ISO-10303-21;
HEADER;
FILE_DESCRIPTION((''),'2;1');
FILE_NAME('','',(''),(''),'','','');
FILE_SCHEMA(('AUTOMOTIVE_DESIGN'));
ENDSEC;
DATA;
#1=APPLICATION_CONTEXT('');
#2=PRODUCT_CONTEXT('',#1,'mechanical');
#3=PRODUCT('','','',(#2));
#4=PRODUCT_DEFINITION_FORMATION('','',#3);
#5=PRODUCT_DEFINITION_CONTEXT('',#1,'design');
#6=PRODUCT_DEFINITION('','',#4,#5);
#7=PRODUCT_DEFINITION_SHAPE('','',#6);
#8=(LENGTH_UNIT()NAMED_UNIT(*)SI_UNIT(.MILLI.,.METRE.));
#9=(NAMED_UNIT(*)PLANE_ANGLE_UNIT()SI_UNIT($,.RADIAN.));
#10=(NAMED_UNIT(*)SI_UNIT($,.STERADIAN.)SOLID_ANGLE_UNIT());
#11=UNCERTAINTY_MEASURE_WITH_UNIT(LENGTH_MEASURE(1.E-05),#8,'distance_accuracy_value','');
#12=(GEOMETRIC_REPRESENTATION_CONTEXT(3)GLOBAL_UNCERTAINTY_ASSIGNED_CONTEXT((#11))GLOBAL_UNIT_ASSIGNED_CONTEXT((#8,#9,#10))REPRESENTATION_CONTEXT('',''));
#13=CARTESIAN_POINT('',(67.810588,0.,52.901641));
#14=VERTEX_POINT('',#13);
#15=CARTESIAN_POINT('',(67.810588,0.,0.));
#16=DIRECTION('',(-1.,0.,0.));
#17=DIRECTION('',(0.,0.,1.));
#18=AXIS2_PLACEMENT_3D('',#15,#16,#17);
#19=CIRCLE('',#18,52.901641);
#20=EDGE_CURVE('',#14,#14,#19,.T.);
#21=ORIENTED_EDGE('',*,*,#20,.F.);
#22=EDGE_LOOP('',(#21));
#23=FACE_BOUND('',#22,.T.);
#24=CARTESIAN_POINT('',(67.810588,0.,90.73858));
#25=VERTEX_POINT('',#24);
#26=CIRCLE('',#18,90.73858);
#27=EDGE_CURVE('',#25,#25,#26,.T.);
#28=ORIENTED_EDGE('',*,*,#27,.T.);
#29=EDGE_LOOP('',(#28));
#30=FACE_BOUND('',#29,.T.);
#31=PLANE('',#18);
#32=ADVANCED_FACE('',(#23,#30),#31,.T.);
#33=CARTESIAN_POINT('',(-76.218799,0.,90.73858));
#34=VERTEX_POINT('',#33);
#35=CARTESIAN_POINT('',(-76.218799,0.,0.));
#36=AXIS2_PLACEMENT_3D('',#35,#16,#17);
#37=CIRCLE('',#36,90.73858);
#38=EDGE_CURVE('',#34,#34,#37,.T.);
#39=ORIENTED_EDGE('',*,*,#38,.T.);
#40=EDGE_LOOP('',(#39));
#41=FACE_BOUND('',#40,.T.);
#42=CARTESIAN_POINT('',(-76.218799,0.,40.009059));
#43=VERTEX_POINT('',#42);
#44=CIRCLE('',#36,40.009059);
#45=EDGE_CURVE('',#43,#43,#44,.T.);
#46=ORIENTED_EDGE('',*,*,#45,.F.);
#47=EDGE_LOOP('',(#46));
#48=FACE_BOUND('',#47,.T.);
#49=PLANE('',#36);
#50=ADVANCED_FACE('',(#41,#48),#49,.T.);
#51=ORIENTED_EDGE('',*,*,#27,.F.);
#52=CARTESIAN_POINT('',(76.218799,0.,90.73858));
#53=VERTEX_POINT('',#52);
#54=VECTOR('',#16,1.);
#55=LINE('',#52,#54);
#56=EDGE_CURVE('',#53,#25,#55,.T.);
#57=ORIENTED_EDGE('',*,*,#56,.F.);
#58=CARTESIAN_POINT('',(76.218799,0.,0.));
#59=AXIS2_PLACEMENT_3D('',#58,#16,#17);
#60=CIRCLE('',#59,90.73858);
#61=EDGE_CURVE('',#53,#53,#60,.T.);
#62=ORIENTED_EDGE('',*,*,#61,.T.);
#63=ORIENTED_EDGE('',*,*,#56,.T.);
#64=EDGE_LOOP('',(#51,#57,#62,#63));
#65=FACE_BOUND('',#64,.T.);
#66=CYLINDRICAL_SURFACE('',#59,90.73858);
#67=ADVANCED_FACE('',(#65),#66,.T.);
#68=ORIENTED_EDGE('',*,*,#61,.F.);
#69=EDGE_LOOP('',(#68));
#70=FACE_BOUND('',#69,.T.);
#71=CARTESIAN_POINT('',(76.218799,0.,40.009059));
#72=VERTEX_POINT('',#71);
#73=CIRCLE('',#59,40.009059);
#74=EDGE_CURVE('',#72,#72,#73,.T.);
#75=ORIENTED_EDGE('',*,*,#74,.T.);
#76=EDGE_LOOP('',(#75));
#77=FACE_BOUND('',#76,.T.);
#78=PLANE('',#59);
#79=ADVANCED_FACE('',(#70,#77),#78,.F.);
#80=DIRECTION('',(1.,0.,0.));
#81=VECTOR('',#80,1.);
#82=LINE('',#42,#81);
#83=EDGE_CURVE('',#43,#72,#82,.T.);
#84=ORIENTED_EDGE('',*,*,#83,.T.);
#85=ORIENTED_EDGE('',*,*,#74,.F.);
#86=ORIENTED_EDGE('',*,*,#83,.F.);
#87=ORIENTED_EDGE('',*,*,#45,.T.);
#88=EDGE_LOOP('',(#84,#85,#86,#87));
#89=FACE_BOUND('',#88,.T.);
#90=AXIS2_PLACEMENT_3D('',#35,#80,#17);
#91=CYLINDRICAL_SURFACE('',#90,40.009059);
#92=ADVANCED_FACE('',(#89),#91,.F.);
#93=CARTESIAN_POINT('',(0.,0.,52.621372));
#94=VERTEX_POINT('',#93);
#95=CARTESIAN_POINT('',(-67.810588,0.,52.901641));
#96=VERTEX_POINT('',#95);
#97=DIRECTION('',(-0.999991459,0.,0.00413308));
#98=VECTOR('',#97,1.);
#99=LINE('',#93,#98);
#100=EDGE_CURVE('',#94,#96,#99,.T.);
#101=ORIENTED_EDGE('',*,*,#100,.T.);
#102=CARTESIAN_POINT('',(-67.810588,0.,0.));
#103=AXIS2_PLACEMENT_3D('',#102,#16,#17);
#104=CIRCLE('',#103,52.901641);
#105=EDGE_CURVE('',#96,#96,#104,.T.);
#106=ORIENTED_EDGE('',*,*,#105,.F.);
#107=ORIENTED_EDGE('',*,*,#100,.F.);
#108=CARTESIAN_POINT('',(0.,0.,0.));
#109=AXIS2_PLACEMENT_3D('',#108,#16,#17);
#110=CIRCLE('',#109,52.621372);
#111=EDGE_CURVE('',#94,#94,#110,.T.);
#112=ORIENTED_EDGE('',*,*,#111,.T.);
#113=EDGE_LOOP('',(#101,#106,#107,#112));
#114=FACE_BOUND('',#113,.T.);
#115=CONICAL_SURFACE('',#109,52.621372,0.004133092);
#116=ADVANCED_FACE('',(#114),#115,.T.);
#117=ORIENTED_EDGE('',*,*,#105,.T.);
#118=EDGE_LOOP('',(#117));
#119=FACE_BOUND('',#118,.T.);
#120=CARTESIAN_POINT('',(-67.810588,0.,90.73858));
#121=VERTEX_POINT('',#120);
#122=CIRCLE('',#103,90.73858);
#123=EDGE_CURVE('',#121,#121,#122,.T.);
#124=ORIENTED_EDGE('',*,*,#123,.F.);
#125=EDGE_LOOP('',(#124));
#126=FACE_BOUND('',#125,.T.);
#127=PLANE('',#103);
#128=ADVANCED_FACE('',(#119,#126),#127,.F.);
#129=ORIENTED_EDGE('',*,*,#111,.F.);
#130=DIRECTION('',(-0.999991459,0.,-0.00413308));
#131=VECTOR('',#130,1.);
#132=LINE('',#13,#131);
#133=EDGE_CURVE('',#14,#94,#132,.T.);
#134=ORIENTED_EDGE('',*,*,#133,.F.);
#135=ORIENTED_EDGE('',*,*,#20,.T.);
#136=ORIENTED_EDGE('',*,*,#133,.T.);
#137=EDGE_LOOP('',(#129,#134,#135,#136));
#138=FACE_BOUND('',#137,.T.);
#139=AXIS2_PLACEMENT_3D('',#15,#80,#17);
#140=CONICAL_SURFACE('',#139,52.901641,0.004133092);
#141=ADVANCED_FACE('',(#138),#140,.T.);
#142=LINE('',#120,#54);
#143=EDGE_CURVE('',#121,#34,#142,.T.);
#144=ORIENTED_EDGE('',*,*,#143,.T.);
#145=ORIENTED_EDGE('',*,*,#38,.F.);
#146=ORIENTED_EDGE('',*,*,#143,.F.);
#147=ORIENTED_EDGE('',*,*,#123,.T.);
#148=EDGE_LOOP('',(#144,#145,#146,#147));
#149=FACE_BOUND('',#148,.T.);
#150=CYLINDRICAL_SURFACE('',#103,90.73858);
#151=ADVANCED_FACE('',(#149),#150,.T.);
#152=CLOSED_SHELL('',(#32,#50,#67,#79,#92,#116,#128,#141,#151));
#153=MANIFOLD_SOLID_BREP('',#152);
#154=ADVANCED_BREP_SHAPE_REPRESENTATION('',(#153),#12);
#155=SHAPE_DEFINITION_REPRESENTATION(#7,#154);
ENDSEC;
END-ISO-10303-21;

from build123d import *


with BuildPart() as f1:
    # F0 (on Front) → F1 (revolve)
    with BuildSketch(Plane.XZ):
        Polygon((0, 40.009059), (0, 52.621372), (-67.810588, 52.901641), (-67.810588, 90.73858), (-76.218799, 90.73858), (-76.218799, 40.009059), align=None)
        Polygon((67.810588, 52.901641), (0, 52.621372), (0, 40.009059), (76.218799, 40.009059), (76.218799, 90.73858), (67.810588, 90.73858), align=None)
    revolve(axis=Axis((-39.976221, 0, 0), (-1, 0, 0)))


solid = f1.part
